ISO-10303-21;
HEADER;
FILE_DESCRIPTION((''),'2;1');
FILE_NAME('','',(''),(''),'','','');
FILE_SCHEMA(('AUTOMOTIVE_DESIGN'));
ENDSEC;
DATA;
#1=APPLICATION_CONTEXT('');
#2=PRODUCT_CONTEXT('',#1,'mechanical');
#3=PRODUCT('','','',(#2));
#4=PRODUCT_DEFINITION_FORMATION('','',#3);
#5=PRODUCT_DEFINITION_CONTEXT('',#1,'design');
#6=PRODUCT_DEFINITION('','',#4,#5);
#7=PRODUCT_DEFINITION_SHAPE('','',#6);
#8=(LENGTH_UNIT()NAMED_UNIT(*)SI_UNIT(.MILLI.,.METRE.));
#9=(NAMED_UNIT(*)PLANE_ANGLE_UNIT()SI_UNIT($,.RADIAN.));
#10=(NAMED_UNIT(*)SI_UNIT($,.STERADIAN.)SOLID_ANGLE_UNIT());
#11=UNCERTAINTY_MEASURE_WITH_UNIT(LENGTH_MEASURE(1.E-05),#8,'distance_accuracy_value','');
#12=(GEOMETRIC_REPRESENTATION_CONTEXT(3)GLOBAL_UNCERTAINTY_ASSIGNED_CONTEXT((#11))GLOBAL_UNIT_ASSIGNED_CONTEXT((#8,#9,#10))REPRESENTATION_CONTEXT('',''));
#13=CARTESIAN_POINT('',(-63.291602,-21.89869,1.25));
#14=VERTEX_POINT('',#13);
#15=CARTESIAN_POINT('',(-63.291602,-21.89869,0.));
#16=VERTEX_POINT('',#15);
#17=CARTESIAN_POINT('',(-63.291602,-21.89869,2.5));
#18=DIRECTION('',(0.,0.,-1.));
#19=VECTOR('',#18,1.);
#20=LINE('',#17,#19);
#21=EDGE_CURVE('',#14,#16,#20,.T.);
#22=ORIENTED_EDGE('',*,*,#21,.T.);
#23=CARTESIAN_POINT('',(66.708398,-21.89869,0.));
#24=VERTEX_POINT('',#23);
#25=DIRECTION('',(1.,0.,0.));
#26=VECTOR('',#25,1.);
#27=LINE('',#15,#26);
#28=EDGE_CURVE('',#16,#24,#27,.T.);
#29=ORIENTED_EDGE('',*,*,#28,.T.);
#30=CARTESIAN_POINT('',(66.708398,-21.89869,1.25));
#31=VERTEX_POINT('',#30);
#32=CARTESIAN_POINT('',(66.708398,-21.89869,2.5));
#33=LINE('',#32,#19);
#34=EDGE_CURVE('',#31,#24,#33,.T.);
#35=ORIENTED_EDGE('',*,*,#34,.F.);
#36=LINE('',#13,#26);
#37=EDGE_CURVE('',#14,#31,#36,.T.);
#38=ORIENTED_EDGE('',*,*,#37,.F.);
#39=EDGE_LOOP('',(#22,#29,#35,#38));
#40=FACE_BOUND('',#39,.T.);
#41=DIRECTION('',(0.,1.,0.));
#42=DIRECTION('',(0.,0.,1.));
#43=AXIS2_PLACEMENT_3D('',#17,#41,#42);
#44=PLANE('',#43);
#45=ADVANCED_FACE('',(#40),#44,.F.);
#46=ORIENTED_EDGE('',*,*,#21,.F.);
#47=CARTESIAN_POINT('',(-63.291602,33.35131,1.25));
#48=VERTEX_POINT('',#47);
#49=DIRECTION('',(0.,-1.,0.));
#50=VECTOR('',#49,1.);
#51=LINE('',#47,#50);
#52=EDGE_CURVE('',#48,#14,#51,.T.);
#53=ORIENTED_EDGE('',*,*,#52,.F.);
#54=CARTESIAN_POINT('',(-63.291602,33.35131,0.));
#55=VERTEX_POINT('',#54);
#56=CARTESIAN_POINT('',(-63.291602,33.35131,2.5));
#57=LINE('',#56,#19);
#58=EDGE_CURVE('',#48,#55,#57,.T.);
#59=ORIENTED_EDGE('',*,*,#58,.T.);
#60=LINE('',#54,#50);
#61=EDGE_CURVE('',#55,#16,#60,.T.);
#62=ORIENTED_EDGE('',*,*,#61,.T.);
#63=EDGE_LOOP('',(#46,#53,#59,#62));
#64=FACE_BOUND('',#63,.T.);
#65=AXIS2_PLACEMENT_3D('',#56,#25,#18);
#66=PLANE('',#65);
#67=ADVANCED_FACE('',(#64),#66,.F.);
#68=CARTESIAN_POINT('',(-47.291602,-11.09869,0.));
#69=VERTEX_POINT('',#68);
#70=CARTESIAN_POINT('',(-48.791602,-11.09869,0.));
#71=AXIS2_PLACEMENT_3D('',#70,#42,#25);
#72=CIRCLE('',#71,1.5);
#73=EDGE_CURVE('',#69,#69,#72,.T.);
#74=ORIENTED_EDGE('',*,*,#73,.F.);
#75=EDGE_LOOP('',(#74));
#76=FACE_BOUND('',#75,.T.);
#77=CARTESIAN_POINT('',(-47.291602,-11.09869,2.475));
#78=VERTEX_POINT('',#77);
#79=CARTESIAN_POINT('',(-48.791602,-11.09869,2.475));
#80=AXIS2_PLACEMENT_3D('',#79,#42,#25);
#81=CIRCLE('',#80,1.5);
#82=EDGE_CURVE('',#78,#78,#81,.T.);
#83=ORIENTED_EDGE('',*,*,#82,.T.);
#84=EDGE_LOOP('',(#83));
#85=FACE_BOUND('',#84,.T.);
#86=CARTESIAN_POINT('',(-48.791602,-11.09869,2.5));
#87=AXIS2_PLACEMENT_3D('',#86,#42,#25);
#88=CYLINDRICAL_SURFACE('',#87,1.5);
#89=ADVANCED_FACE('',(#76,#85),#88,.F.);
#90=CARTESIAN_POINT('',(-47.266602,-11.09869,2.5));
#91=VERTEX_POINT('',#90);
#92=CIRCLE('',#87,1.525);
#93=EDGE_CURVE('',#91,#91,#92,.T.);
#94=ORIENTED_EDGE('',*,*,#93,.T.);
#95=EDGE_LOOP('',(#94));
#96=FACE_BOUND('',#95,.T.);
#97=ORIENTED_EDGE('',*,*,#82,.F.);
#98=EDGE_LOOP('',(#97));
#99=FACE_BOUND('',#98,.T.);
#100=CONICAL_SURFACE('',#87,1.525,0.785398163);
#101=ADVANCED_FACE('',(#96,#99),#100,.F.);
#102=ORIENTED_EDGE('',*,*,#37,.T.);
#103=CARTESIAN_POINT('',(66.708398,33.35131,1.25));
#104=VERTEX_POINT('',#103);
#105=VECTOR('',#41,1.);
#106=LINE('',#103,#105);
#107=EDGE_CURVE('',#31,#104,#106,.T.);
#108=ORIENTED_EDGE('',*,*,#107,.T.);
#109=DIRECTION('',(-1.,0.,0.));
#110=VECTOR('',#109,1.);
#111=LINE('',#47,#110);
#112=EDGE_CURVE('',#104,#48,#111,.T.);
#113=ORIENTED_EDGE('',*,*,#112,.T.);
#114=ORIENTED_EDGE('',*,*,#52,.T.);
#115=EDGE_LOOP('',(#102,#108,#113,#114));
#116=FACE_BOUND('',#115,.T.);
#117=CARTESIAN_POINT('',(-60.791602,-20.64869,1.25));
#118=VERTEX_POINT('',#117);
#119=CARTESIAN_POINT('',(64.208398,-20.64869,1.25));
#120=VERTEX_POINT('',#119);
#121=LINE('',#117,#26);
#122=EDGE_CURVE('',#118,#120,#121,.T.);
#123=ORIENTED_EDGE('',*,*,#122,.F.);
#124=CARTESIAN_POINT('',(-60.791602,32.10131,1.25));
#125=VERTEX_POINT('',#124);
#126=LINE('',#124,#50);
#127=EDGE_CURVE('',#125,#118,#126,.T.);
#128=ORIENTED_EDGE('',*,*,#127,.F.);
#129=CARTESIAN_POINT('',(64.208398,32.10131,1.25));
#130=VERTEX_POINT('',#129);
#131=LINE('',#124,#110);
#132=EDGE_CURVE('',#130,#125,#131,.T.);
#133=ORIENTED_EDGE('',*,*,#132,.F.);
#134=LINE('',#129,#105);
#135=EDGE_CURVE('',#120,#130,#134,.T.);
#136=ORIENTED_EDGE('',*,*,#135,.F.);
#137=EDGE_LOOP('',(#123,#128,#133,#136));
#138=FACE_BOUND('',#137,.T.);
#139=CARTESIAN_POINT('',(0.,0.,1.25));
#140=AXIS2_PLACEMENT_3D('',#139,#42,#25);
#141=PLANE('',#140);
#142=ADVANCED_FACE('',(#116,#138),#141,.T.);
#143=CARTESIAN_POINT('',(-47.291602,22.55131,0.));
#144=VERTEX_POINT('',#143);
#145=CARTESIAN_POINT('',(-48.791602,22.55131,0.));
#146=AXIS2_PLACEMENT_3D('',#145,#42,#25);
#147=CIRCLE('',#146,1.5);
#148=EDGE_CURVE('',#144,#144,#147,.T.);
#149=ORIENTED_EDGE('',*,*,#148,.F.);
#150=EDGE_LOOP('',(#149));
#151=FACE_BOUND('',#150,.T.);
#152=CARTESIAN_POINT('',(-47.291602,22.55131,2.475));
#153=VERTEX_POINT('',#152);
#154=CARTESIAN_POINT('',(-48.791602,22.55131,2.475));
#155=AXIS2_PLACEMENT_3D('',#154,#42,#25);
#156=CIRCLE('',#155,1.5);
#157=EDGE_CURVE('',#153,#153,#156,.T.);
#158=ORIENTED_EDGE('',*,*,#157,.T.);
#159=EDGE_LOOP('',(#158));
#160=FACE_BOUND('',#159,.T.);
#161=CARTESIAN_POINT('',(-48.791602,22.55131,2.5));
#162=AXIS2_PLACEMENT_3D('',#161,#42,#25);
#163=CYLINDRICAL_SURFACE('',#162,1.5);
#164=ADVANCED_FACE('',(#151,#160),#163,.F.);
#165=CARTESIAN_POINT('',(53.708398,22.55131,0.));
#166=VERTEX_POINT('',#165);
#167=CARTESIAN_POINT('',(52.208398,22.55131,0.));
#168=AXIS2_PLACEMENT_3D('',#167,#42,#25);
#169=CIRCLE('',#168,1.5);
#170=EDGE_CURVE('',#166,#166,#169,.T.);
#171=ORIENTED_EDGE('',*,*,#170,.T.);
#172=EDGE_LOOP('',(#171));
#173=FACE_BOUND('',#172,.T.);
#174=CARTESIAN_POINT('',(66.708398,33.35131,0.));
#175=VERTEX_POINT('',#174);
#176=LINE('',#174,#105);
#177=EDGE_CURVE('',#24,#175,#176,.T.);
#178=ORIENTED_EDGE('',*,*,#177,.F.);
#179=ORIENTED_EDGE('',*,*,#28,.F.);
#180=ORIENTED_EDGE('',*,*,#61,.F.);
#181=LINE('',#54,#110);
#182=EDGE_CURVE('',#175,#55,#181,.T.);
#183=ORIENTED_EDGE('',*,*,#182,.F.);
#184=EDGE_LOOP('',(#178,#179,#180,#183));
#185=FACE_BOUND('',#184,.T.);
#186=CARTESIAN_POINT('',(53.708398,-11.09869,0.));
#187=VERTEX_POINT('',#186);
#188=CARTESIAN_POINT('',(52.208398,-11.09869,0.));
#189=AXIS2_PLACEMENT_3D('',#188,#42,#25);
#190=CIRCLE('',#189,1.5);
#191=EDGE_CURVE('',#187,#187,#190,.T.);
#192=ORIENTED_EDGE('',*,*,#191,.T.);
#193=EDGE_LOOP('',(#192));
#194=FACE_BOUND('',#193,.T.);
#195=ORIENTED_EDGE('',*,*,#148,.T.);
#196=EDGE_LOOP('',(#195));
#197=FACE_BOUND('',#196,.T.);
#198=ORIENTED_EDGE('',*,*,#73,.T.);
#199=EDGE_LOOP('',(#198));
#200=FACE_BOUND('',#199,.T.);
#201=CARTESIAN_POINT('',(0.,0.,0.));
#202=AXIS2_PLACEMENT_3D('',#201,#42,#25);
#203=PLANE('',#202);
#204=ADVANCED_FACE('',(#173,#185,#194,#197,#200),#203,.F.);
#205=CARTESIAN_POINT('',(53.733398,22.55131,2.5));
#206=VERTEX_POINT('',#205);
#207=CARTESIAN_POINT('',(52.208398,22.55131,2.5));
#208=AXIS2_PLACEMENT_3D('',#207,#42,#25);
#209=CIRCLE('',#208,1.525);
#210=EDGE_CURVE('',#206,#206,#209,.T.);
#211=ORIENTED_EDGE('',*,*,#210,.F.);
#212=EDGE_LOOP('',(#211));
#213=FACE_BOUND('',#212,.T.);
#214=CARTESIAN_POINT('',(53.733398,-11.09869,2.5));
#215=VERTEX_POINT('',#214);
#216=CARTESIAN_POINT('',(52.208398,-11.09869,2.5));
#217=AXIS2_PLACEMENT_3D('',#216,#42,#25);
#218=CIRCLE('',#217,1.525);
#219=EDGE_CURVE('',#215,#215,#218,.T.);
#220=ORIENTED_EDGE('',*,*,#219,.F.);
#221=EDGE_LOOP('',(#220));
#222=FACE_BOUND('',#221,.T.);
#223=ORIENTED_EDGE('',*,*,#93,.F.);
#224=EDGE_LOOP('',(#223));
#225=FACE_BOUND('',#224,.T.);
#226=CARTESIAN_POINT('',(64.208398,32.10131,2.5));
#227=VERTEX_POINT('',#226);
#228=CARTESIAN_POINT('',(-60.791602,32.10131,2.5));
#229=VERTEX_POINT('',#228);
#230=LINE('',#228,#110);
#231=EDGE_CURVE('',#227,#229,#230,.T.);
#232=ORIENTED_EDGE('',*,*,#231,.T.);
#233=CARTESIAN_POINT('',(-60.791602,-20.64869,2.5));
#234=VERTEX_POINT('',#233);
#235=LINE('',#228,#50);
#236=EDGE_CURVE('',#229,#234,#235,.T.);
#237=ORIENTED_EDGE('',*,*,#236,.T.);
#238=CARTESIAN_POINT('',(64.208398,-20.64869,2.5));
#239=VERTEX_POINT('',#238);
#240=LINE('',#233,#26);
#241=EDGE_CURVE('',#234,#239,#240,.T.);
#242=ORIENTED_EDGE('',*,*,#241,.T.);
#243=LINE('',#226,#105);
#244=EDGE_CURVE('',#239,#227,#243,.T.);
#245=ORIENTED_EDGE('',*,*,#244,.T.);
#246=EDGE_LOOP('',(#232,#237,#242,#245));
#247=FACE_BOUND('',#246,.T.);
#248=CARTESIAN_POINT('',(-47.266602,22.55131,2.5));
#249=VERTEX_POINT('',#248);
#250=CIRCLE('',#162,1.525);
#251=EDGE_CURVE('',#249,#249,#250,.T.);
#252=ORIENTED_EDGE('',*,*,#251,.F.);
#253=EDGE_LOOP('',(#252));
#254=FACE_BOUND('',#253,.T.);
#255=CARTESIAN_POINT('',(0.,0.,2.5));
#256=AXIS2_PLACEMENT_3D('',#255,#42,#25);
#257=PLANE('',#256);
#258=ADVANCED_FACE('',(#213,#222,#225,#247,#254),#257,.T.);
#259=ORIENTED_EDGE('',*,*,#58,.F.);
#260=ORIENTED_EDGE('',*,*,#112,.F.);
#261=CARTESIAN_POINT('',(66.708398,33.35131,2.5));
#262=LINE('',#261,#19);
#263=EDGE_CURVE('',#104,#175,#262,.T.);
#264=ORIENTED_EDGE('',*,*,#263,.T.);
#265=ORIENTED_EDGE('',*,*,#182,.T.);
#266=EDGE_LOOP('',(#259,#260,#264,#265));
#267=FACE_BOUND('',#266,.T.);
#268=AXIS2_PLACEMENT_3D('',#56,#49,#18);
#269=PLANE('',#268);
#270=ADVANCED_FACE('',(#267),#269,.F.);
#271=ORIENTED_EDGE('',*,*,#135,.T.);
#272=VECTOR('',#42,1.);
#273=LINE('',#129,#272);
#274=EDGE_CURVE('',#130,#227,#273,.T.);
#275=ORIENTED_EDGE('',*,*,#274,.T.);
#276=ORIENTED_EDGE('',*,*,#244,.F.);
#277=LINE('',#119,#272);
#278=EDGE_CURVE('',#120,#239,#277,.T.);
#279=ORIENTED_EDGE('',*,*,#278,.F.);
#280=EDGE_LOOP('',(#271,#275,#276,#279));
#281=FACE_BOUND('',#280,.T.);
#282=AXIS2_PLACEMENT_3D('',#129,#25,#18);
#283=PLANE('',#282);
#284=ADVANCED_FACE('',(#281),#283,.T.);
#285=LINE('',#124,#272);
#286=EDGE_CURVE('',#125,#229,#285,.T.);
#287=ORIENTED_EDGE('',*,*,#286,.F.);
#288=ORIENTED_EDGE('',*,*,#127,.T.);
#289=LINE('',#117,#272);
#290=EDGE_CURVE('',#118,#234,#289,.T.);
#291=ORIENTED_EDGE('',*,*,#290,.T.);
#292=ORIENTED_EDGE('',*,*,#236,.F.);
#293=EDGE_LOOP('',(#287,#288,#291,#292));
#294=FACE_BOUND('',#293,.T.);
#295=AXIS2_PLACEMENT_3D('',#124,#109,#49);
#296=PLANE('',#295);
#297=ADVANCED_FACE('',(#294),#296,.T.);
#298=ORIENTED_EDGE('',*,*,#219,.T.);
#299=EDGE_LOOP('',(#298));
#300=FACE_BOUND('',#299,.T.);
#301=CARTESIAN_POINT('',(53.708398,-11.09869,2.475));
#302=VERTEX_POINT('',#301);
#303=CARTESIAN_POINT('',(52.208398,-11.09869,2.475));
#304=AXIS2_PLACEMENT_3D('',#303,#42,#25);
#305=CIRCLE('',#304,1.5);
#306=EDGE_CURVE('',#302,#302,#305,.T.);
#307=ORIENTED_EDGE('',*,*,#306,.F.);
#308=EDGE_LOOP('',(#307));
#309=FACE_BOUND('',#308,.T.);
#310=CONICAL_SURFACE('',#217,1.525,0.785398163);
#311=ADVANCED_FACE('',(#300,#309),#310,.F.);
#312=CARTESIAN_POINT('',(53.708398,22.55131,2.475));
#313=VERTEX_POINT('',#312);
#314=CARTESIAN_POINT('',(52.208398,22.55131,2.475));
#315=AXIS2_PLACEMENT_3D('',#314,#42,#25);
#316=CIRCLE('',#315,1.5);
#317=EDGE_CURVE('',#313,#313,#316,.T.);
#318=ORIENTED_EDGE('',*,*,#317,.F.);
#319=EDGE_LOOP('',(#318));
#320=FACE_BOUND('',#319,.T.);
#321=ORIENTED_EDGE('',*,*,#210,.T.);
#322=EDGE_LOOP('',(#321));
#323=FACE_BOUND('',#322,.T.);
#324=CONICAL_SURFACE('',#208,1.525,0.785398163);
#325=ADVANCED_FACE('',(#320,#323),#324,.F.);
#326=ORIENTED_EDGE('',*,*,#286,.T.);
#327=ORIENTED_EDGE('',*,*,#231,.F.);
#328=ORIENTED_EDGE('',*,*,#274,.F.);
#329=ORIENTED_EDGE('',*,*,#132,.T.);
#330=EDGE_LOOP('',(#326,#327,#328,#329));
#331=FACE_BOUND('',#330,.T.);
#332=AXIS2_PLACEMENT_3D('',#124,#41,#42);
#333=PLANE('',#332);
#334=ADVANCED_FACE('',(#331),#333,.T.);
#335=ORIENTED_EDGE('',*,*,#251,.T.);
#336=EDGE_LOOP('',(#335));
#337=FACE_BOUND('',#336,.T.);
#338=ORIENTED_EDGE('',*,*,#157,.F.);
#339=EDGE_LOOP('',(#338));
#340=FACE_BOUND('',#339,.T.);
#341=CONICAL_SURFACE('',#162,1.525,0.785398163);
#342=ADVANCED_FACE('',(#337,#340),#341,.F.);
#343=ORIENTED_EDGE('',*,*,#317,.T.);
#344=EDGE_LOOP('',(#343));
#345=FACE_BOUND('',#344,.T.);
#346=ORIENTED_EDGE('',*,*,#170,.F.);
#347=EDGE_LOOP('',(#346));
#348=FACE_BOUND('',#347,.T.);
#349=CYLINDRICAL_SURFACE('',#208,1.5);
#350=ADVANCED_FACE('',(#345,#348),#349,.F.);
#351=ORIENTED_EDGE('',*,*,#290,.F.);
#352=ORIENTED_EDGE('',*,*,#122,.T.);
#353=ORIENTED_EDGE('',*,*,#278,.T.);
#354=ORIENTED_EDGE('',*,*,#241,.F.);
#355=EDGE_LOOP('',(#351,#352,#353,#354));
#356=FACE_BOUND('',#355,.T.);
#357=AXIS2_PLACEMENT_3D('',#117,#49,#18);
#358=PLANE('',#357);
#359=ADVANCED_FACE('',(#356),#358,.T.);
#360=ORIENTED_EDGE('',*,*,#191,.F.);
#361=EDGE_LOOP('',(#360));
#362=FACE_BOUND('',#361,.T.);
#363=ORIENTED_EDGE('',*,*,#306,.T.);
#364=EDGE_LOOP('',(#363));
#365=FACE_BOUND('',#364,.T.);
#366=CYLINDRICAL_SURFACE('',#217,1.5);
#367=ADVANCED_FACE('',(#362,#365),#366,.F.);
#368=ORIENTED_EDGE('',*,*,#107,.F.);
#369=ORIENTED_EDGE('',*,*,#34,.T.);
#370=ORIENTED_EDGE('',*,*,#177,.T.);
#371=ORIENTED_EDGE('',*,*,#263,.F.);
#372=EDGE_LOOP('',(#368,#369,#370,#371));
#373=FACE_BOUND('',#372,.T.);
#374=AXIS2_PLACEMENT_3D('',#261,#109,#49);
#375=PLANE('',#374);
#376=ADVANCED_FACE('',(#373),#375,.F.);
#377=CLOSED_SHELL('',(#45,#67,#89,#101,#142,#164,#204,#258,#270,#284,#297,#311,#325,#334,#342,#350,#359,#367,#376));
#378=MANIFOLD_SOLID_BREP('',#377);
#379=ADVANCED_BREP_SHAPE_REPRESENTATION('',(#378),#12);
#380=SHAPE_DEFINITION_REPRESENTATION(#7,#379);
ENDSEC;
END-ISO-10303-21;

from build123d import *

# Parameters (mm, degrees)
ESBO_O1_W                         = 130
ESBO_O1_H                         = 55.25
RESSALTO_EXTRUS_O1_DEPTH          = 2.5
ESBO_O2_W                         = 130
ESBO_O2_H                         = 55.25
ESBO_O2_W_2                       = 125
ESBO_O2_H_2                       = 52.75
CORTE_EXTRUS_O1_DEPTH             = 1.25
FUROS_GUIA_COM_3_0MM2_D           = 3
FUROS_GUIA_COM_3_0MM2_CSINK_D     = 3.05
FUROS_GUIA_COM_3_0MM2_CSINK_ANGLE = 90


with BuildPart() as part:
    # Esboço1 → Ressalto-extrusão1 (new body)
    with BuildSketch(Plane.XY):
        with Locations((1.708397535, 5.726309707)):
            Rectangle(ESBO_O1_W, ESBO_O1_H)
    extrude(amount=RESSALTO_EXTRUS_O1_DEPTH)

    # Esboço2 → Corte-extrusão1 (cut)
    with BuildSketch(Plane.XY.offset(2.5)):
        with Locations((1.708397535, 5.726309707)):
            Rectangle(ESBO_O2_W, ESBO_O2_H)
        with Locations((1.708397535, 5.726309707)):
            Rectangle(ESBO_O2_W_2, ESBO_O2_H_2, mode=Mode.SUBTRACT)
    extrude(amount=-CORTE_EXTRUS_O1_DEPTH, mode=Mode.SUBTRACT)

    # Furos-guia com Ø3.0mm2 (through all)
    with Locations(Plane.XY.offset(2.5)):
        with Locations((-48.791602465, 22.551309707), (-48.791602465, -11.098690293), (52.208397535, -11.098690293), (52.208397535, 22.551309707)):
            CounterSinkHole(FUROS_GUIA_COM_3_0MM2_D / 2, FUROS_GUIA_COM_3_0MM2_CSINK_D / 2, counter_sink_angle=FUROS_GUIA_COM_3_0MM2_CSINK_ANGLE)


solid = part.part
